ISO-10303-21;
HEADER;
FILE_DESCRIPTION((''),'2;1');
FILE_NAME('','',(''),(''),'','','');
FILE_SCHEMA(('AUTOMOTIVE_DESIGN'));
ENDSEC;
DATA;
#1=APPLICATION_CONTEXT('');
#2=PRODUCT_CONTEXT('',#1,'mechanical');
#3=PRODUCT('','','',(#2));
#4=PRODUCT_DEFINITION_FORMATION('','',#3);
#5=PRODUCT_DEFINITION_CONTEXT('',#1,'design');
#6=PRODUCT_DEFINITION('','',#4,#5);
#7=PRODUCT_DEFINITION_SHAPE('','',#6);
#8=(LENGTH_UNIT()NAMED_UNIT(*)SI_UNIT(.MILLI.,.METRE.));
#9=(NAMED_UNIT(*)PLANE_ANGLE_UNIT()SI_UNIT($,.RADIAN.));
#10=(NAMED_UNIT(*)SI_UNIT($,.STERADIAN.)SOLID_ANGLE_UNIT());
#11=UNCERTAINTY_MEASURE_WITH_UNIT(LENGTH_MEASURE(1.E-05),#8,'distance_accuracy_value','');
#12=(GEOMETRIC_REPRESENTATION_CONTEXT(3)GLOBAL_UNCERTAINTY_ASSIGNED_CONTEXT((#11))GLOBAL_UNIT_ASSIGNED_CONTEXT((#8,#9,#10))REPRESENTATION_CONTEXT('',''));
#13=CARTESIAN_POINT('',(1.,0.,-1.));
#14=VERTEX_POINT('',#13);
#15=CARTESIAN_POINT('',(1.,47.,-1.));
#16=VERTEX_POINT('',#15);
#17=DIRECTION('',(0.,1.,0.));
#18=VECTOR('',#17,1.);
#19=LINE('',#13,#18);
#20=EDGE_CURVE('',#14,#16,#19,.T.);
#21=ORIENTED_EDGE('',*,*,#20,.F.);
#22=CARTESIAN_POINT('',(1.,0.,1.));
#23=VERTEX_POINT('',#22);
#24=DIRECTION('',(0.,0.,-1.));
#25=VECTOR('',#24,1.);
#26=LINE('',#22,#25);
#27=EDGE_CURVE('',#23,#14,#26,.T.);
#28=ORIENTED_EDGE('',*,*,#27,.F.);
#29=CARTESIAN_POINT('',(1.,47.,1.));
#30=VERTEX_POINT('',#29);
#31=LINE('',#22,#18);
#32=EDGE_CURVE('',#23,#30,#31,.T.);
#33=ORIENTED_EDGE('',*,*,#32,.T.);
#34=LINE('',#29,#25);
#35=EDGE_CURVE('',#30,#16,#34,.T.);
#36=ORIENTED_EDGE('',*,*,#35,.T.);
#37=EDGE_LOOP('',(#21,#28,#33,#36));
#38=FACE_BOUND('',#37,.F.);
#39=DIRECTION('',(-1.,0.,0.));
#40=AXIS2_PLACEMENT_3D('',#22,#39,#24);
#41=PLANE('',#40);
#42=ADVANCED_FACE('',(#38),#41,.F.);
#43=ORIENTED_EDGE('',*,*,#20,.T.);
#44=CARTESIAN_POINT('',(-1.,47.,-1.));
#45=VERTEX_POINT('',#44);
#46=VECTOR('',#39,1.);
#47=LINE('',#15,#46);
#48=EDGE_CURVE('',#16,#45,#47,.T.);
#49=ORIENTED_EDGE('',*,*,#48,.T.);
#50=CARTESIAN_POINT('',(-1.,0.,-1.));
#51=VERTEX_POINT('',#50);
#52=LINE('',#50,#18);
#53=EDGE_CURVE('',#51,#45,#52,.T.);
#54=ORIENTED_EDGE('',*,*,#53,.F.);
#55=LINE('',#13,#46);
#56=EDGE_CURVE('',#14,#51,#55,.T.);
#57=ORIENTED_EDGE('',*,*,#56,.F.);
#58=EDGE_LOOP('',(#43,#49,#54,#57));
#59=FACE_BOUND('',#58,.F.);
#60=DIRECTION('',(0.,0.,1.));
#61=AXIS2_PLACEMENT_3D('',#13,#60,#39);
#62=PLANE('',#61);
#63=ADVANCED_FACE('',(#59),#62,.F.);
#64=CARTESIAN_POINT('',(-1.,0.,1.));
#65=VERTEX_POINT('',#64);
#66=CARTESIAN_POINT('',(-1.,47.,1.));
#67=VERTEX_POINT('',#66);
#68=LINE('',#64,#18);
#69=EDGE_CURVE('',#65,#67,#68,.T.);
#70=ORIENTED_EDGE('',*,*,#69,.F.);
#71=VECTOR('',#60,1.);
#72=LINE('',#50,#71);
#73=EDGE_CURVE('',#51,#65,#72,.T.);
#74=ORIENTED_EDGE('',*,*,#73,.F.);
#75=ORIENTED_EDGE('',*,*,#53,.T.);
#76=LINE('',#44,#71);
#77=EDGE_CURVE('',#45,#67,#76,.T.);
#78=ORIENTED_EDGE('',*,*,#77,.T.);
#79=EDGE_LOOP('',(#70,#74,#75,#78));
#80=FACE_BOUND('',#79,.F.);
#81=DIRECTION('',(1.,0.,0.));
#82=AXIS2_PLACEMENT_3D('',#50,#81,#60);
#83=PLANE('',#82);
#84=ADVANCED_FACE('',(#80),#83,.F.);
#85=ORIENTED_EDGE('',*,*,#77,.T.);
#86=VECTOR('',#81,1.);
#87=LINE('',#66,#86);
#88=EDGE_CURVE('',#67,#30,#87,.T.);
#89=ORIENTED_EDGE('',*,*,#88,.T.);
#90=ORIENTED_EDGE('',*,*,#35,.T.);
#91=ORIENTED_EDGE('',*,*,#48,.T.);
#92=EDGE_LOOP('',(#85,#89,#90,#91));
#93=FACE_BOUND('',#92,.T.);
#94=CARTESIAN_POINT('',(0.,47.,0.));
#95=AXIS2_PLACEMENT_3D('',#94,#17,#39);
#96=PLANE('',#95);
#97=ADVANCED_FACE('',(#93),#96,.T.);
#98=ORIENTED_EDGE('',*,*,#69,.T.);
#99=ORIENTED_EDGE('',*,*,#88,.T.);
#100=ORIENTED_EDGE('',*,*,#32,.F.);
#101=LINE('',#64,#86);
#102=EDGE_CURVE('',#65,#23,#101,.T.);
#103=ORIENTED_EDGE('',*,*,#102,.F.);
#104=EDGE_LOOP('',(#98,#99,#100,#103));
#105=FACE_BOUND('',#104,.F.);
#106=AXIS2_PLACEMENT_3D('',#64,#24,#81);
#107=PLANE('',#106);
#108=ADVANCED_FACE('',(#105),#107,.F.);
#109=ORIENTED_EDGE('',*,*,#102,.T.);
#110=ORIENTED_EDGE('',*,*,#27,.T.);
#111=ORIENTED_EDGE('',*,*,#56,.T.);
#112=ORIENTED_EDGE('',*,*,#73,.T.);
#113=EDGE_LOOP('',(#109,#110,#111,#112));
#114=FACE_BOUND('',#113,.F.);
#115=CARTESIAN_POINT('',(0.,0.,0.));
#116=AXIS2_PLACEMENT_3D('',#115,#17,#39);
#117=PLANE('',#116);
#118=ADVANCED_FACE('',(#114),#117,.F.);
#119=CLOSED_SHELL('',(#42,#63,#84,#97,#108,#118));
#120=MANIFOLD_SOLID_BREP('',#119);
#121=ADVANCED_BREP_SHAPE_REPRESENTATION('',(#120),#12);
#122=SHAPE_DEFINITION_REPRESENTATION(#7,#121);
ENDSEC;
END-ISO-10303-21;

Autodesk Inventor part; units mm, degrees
ref_plane "YZ Plane" through (0, 0, 0) normal (1, 0, 0) x (0, 1, 0)
ref_plane "XZ Plane" through (0, 0, 0) normal (0, 1, 0) x (-1, 0, 0)
ref_plane "XY Plane" through (0, 0, 0) normal (0, 0, 1) x (1, 0, 0)
sketch "Sketch1" plane through (0, 0, 0) normal (0, 1, 0) x (-1, 0, 0)
  line L0 (-1, -1) -> (1, -1)
  line L1 (1, -1) -> (1, 1)
  line L2 (1, 1) -> (-1, 1)
  line L3 (-1, 1) -> (-1, -1)
  line L4 (-1, -1) -> (1, 1) construction
  line L5 (1, -1) -> (-1, 1) construction
  point P0 (0, 0)
  dimension "d0" = 2
  dimension "d1" = 2
extrude "Extrusion1" add sketch "Sketch1" along normal blind 47
properties part number "MachinedKeyStock_BevelToSpur"
